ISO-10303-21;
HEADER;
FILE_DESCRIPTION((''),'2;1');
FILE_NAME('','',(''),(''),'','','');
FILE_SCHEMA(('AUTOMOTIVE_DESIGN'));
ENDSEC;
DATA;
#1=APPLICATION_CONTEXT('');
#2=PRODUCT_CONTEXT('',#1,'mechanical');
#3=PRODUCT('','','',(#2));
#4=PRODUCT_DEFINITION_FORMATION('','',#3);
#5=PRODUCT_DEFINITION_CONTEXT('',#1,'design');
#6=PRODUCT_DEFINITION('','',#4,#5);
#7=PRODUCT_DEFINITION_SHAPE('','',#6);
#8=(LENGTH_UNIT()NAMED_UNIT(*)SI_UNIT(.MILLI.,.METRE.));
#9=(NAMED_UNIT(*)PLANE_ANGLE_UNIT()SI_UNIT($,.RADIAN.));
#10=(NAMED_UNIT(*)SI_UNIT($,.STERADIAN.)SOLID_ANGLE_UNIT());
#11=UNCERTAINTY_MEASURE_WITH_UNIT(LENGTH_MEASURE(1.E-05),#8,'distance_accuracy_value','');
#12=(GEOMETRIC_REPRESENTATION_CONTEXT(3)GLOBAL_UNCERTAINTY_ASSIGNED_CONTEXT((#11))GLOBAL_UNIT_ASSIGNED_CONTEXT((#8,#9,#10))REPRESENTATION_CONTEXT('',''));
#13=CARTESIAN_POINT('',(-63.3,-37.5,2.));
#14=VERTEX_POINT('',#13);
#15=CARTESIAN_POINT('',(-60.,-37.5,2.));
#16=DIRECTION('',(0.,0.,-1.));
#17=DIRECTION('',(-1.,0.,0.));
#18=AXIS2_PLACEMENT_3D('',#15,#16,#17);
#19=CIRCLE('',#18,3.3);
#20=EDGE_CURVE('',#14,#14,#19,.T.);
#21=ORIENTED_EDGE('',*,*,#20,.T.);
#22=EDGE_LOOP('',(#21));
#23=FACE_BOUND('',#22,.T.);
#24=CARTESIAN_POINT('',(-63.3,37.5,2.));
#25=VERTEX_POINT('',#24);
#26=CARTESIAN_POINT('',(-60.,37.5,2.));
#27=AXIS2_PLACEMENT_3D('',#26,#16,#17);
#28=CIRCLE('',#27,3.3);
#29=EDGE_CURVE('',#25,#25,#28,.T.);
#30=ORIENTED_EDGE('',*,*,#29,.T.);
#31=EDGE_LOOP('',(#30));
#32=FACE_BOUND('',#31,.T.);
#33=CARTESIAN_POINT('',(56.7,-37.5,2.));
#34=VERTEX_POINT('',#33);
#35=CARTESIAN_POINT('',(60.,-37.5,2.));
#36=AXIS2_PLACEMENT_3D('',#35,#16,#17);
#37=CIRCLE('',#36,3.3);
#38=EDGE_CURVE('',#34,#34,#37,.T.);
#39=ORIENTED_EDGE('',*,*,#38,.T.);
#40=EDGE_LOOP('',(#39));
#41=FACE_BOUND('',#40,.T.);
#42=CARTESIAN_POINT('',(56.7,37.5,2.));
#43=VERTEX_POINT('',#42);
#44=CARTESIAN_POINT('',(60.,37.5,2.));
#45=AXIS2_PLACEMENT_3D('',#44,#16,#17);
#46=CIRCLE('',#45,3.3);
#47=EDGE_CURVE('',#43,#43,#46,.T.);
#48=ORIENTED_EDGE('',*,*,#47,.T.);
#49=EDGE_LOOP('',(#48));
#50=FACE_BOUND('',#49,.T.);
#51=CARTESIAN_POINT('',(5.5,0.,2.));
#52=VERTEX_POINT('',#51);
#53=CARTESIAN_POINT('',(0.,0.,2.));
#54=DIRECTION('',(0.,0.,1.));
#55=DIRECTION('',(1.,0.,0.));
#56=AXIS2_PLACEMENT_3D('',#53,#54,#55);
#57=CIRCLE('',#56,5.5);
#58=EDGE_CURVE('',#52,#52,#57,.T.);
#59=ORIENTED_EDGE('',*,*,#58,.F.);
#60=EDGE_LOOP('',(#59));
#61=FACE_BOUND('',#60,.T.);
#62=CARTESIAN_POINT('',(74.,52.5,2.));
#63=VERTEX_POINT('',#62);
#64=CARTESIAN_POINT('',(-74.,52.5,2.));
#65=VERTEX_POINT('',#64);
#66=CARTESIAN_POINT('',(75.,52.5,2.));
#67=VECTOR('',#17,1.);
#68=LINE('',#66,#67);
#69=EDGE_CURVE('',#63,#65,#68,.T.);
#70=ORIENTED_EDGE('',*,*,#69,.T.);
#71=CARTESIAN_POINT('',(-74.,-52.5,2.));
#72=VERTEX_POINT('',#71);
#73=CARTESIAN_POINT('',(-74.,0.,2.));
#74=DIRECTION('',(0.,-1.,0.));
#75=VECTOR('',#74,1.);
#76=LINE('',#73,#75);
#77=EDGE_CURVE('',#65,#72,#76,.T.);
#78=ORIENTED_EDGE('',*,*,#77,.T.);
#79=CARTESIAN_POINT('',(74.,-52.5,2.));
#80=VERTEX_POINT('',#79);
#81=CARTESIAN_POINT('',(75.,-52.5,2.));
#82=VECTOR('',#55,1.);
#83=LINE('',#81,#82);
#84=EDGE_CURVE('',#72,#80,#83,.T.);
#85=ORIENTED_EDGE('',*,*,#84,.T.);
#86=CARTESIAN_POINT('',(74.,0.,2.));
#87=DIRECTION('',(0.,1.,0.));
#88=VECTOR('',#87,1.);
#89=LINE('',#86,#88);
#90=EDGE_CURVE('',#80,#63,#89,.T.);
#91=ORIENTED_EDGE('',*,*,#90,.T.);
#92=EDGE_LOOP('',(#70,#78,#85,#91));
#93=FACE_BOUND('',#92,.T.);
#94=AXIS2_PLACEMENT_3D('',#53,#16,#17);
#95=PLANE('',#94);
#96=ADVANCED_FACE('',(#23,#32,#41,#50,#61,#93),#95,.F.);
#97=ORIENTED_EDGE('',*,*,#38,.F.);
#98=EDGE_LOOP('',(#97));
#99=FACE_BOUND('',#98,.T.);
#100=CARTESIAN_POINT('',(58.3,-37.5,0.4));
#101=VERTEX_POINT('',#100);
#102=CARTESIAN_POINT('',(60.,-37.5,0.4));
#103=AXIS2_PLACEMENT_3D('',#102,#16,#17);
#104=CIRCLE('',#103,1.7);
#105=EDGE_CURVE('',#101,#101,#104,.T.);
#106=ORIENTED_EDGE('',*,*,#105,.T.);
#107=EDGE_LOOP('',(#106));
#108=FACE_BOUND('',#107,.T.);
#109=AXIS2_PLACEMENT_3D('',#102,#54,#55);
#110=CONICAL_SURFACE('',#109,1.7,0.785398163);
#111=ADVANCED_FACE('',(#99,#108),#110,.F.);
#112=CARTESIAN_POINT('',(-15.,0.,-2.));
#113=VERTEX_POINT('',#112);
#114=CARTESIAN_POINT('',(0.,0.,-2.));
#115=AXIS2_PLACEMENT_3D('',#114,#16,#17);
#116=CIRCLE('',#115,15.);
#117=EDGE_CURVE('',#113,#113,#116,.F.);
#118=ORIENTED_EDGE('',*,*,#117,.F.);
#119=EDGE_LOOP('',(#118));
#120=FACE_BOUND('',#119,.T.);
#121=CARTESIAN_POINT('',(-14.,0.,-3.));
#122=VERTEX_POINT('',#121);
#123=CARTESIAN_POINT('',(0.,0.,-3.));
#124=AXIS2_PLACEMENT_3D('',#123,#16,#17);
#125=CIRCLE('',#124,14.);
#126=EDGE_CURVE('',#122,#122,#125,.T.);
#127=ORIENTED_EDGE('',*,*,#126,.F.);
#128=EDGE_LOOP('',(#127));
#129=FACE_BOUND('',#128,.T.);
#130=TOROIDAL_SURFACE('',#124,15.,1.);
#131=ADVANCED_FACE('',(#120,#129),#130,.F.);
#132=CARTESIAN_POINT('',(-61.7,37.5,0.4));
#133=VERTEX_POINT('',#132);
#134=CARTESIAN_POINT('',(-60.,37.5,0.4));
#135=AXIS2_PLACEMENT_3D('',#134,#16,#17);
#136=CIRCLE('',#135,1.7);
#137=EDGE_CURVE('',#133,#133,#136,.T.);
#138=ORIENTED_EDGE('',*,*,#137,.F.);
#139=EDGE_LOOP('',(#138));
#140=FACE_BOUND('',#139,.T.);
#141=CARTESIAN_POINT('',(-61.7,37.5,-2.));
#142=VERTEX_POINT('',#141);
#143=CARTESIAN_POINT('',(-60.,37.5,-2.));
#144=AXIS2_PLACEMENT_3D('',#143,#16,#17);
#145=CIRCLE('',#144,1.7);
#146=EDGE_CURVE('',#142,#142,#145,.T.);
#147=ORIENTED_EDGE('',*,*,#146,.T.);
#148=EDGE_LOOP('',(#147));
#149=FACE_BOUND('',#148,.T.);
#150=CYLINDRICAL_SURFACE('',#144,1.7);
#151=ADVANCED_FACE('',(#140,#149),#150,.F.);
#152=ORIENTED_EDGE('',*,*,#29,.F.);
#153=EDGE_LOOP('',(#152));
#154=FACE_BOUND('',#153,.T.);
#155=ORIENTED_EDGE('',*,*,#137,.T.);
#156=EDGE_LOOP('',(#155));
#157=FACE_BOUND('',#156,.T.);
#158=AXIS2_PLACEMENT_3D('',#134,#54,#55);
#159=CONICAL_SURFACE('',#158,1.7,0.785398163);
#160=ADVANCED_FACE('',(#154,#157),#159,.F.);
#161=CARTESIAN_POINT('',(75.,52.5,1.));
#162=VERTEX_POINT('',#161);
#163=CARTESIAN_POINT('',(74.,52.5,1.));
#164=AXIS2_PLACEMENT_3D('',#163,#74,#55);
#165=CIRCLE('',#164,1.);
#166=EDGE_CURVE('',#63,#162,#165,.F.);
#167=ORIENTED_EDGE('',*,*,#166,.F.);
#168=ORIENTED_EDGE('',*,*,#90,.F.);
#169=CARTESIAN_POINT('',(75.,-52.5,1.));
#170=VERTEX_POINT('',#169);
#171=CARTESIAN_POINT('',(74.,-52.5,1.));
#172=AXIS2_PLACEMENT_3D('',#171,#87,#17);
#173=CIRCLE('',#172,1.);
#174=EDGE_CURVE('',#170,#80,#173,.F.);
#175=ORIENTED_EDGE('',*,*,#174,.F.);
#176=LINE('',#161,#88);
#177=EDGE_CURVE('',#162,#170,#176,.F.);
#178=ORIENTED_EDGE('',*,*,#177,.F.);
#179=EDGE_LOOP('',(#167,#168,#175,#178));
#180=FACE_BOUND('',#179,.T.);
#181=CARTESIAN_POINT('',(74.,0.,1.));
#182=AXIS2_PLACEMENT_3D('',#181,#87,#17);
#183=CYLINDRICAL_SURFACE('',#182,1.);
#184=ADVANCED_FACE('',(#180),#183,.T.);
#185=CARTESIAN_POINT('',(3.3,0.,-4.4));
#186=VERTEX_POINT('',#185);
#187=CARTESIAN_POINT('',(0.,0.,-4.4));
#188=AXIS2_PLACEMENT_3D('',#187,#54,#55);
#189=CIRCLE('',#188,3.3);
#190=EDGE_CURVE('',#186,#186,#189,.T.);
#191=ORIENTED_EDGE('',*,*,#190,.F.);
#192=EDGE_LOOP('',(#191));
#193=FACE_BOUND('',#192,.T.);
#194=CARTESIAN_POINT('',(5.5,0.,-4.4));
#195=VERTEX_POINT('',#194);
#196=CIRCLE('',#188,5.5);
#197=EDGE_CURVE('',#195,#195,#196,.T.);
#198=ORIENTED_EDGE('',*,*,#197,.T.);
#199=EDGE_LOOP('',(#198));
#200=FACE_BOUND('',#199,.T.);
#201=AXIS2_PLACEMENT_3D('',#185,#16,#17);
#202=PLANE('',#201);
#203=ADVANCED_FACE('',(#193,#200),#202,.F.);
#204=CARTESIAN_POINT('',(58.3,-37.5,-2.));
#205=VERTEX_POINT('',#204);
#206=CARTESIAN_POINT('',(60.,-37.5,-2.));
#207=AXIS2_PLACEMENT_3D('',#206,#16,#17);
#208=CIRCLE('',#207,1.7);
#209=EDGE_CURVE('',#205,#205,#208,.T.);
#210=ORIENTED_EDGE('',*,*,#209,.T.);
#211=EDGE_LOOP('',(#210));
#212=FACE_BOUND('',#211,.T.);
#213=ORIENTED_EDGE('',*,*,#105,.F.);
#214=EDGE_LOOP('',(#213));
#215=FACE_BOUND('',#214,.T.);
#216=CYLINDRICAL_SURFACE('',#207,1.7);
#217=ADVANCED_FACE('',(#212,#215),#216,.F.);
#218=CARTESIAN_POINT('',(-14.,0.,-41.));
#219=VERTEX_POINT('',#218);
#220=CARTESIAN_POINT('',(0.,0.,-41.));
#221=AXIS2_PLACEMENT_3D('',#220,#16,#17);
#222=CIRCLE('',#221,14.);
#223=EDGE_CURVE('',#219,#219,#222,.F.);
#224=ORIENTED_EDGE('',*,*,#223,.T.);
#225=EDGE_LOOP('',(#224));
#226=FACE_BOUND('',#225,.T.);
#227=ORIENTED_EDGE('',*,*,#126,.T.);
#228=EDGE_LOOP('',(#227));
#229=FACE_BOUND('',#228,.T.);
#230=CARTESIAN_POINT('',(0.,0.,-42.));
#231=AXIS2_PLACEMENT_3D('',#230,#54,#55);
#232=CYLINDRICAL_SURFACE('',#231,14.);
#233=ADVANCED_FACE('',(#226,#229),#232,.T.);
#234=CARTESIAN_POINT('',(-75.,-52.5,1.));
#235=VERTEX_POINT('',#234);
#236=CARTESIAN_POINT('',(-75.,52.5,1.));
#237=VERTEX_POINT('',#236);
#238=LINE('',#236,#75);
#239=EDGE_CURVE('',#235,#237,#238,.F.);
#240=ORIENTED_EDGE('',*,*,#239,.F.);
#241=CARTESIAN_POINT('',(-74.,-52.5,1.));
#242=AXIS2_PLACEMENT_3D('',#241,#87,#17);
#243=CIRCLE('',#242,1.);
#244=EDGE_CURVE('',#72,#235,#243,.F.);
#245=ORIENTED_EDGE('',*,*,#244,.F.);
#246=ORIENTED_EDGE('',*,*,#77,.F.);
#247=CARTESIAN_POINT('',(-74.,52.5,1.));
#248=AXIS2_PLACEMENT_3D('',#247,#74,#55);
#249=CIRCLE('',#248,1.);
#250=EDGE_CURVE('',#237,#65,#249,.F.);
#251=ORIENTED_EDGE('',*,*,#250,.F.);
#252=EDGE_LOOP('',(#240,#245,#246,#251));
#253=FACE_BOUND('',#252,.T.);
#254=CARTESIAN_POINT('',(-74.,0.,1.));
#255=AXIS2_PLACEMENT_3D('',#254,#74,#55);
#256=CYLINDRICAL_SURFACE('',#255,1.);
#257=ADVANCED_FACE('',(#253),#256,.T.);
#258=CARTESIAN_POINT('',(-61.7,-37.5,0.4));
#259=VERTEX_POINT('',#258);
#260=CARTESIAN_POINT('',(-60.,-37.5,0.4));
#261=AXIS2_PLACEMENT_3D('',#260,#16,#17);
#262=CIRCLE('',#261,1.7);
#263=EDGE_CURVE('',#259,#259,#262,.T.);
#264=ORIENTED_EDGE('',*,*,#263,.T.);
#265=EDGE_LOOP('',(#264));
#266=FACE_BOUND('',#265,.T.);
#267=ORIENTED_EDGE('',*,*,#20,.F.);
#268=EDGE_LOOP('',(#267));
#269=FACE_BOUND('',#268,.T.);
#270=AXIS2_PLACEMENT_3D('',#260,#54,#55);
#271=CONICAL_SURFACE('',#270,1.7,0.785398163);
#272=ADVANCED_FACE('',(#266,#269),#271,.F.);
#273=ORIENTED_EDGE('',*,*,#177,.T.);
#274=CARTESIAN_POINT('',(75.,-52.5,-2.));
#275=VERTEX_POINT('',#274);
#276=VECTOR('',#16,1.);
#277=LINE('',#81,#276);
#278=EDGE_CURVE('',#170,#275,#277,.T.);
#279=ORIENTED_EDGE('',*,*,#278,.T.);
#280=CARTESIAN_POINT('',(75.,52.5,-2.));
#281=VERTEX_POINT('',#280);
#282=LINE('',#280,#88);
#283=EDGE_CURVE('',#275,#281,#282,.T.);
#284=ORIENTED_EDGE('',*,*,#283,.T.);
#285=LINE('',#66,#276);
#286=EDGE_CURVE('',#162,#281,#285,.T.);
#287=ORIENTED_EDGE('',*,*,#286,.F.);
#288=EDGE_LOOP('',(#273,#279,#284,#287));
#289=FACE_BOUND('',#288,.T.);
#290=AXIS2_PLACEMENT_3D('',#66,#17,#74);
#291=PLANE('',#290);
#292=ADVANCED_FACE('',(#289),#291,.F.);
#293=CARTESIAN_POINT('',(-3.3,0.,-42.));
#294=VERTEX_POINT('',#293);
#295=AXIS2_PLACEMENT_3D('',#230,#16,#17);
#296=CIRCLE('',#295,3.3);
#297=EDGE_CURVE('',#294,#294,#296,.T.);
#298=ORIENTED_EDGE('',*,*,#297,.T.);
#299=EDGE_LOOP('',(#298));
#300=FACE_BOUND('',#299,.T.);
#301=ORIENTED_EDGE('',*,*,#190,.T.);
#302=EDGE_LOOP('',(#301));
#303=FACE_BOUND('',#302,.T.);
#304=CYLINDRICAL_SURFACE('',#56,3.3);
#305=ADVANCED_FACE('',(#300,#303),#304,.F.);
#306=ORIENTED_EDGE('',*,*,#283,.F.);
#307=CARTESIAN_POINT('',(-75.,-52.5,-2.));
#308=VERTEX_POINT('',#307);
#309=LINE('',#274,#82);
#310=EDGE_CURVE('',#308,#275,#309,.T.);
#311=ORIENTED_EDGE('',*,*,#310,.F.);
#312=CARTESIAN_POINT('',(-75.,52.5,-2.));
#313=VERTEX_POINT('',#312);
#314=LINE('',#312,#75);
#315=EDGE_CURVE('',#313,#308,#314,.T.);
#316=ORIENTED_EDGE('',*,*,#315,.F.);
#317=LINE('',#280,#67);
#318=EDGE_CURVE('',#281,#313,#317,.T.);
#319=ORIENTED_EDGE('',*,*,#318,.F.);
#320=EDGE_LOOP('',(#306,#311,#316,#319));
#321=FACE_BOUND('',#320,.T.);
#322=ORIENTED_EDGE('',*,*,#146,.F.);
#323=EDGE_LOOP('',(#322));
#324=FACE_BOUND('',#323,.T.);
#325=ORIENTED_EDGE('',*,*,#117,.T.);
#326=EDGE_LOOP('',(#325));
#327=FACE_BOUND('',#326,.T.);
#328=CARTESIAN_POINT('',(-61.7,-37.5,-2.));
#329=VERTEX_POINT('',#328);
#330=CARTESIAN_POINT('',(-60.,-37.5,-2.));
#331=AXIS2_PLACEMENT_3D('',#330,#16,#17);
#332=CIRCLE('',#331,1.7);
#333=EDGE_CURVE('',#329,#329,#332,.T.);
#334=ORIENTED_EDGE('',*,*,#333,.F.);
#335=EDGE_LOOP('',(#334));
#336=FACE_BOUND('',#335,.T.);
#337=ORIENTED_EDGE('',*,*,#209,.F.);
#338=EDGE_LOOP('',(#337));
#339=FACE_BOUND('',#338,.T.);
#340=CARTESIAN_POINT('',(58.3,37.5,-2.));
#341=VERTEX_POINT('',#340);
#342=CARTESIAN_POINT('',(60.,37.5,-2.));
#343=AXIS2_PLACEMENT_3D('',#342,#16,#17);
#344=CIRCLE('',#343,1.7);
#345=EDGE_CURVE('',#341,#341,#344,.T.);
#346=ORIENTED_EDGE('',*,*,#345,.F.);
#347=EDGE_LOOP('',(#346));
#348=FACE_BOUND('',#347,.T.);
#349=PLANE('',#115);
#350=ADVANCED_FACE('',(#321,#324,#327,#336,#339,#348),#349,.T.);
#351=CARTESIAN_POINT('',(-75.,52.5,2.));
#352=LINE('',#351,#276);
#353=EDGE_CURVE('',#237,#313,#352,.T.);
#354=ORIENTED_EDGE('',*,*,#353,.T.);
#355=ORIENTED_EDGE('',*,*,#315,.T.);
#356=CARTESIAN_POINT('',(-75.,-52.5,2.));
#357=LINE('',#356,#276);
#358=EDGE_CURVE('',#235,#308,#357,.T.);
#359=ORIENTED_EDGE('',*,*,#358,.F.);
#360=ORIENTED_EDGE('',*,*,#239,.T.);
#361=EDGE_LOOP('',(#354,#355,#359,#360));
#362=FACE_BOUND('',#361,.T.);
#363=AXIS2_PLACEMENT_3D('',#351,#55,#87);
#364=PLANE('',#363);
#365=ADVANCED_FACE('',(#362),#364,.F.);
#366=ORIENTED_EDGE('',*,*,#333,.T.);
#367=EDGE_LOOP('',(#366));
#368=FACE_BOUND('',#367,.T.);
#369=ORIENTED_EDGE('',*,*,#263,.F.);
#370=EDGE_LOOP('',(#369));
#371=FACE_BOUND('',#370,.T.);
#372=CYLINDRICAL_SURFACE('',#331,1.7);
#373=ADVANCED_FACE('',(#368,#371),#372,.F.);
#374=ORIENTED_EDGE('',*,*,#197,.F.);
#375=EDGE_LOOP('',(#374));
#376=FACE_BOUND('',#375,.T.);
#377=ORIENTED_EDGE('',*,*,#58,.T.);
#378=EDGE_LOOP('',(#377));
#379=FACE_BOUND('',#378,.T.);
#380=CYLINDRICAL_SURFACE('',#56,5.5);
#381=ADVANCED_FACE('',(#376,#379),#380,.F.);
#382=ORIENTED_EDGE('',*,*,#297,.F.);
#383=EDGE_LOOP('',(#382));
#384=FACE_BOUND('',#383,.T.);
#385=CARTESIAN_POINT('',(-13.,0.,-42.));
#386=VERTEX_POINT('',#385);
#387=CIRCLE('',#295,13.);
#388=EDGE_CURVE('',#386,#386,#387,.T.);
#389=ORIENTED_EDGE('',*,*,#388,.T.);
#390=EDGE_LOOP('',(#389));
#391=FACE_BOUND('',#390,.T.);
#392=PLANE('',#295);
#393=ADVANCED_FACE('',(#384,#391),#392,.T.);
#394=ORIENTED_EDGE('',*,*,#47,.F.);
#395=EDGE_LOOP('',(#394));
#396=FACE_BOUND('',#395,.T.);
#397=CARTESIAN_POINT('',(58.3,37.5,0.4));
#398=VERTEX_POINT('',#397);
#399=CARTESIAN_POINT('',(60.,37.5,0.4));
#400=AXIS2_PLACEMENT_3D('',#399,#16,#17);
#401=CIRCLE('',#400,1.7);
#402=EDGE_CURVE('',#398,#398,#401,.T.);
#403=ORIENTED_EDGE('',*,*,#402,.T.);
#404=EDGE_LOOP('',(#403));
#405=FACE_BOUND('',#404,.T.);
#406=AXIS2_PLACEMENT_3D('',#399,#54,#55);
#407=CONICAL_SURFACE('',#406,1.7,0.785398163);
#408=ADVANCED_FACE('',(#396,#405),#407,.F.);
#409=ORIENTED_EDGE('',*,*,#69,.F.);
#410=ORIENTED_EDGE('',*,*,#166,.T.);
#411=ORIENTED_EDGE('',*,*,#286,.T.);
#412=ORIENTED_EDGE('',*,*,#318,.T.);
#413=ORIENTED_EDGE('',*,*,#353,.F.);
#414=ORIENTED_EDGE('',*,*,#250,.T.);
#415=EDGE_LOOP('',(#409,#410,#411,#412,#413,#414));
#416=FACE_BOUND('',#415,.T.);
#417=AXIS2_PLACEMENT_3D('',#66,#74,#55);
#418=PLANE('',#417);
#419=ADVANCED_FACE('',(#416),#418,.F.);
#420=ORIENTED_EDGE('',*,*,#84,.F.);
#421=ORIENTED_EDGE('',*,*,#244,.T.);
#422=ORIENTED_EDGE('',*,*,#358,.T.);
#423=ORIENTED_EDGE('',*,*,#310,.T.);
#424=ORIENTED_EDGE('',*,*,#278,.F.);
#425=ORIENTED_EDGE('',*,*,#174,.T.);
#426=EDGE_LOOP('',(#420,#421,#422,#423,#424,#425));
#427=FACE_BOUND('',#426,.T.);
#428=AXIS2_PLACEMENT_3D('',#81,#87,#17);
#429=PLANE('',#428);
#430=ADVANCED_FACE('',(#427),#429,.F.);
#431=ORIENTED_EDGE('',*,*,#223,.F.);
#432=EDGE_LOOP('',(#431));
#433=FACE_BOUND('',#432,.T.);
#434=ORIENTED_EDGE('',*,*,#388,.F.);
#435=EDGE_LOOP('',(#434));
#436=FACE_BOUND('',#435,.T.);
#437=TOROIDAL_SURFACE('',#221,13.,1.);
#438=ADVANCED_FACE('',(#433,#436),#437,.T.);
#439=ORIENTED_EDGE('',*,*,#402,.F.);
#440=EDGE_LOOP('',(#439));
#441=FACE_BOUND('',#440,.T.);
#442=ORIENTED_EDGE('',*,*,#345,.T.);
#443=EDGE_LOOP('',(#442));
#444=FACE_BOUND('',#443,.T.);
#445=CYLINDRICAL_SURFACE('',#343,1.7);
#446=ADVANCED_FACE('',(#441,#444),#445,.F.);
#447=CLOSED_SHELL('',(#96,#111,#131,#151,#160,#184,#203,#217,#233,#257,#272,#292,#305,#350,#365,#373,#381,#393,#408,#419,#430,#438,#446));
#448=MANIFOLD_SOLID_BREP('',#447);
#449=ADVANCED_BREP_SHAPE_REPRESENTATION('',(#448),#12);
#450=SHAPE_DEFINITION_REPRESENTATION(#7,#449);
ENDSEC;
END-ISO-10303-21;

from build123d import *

# Parameters (mm, degrees)
SKETCH1_W                                           = 150
SKETCH1_H                                           = 105
BOSS_EXTRUDE1_DEPTH                                 = 2
M3_CLEARANCE_HOLE1_AT_2_COUNT                       = 2
M3_CLEARANCE_HOLE1_AT_2_PITCH                       = 120
SKETCH5_R                                           = 14
BOSS_EXTRUDE2_DEPTH                                 = 40
CBORE_FOR_M6_HEX_SOCKET_HEAD_CAP_SCREW1_D           = 6.6
CBORE_FOR_M6_HEX_SOCKET_HEAD_CAP_SCREW1_CBORE_D     = 11
CBORE_FOR_M6_HEX_SOCKET_HEAD_CAP_SCREW1_CBORE_DEPTH = 6.4
FILLET1_R                                           = 1
FILLET2_R                                           = 1
FILLET3_R                                           = 1


with BuildPart() as part:
    # Sketch1 → Boss-Extrude1 (new, symmetric)
    with BuildSketch(Plane.XY):
        Rectangle(SKETCH1_W, SKETCH1_H)
    extrude(amount=BOSS_EXTRUDE1_DEPTH, both=True)

    # Sketch4 → M3 Clearance Hole1 (revolve, cut)
    with BuildSketch(Plane(origin=(60, -37.5, -2), x_dir=(0, 1, 0), z_dir=(1, 0, 0))):
        Polygon((0, 0), (0, 4), (3.3, 4), (1.7, 2.4), (1.7, 0), align=None)
    m3_clearance_hole1 = revolve(axis=Axis((60, -37.5, -8.35), (0, 0, 1)), mode=Mode.SUBTRACT)

    # M3 Clearance Hole1 at 2: M3 Clearance Hole1 ×2
    with Locations(*[(-i * M3_CLEARANCE_HOLE1_AT_2_PITCH, 0, 0) for i in range(1, M3_CLEARANCE_HOLE1_AT_2_COUNT)]):
        add(m3_clearance_hole1, mode=Mode.SUBTRACT)

    # Sketch5 → Boss-Extrude2 (add)
    with BuildSketch(Plane(origin=(0, 0, -2), x_dir=(-1, 0, 0), z_dir=(0, 0, -1))):
        Circle(SKETCH5_R)
    extrude(amount=BOSS_EXTRUDE2_DEPTH)

    # CBORE for M6 Hex Socket Head Cap Screw1 (through all)
    with Locations(Plane.XY.offset(2)):
        with Locations((0, 0)):
            CounterBoreHole(CBORE_FOR_M6_HEX_SOCKET_HEAD_CAP_SCREW1_D / 2, CBORE_FOR_M6_HEX_SOCKET_HEAD_CAP_SCREW1_CBORE_D / 2, CBORE_FOR_M6_HEX_SOCKET_HEAD_CAP_SCREW1_CBORE_DEPTH)

    # Mirror1: M3 Clearance Hole1 across plane
    add(m3_clearance_hole1.mirror(Plane.ZX), mode=Mode.SUBTRACT)

    # Mirror1 copy 1 sketch → Mirror1 copy 1 (revolve, cut)
    with BuildSketch(Plane(origin=(-60, 37.5, -2), x_dir=(0, -1, 0), z_dir=(1, 0, 0))):
        Polygon((0, 0), (0, -4), (3.3, -4), (1.7, -2.4), (1.7, 0), align=None)
    revolve(axis=Axis((-60, 37.5, -8.35), (0, 0, -1)), mode=Mode.SUBTRACT)

    # Fillet1
    fillet1_edges = [part.edges().sort_by_distance(p)[0] for p in [
        (14, 0, -42),
    ]]
    fillet(fillet1_edges, radius=FILLET1_R)

    # Fillet2
    fillet2_edges = [part.edges().sort_by_distance(p)[0] for p in [
        (14, 0, -2),
    ]]
    fillet(fillet2_edges, radius=FILLET2_R)

    # Fillet3
    fillet3_edges = [part.edges().sort_by_distance(p)[0] for p in [
        (75, 0, 2),
        (-75, 0, 2),
    ]]
    fillet(fillet3_edges, radius=FILLET3_R)


solid = part.part
